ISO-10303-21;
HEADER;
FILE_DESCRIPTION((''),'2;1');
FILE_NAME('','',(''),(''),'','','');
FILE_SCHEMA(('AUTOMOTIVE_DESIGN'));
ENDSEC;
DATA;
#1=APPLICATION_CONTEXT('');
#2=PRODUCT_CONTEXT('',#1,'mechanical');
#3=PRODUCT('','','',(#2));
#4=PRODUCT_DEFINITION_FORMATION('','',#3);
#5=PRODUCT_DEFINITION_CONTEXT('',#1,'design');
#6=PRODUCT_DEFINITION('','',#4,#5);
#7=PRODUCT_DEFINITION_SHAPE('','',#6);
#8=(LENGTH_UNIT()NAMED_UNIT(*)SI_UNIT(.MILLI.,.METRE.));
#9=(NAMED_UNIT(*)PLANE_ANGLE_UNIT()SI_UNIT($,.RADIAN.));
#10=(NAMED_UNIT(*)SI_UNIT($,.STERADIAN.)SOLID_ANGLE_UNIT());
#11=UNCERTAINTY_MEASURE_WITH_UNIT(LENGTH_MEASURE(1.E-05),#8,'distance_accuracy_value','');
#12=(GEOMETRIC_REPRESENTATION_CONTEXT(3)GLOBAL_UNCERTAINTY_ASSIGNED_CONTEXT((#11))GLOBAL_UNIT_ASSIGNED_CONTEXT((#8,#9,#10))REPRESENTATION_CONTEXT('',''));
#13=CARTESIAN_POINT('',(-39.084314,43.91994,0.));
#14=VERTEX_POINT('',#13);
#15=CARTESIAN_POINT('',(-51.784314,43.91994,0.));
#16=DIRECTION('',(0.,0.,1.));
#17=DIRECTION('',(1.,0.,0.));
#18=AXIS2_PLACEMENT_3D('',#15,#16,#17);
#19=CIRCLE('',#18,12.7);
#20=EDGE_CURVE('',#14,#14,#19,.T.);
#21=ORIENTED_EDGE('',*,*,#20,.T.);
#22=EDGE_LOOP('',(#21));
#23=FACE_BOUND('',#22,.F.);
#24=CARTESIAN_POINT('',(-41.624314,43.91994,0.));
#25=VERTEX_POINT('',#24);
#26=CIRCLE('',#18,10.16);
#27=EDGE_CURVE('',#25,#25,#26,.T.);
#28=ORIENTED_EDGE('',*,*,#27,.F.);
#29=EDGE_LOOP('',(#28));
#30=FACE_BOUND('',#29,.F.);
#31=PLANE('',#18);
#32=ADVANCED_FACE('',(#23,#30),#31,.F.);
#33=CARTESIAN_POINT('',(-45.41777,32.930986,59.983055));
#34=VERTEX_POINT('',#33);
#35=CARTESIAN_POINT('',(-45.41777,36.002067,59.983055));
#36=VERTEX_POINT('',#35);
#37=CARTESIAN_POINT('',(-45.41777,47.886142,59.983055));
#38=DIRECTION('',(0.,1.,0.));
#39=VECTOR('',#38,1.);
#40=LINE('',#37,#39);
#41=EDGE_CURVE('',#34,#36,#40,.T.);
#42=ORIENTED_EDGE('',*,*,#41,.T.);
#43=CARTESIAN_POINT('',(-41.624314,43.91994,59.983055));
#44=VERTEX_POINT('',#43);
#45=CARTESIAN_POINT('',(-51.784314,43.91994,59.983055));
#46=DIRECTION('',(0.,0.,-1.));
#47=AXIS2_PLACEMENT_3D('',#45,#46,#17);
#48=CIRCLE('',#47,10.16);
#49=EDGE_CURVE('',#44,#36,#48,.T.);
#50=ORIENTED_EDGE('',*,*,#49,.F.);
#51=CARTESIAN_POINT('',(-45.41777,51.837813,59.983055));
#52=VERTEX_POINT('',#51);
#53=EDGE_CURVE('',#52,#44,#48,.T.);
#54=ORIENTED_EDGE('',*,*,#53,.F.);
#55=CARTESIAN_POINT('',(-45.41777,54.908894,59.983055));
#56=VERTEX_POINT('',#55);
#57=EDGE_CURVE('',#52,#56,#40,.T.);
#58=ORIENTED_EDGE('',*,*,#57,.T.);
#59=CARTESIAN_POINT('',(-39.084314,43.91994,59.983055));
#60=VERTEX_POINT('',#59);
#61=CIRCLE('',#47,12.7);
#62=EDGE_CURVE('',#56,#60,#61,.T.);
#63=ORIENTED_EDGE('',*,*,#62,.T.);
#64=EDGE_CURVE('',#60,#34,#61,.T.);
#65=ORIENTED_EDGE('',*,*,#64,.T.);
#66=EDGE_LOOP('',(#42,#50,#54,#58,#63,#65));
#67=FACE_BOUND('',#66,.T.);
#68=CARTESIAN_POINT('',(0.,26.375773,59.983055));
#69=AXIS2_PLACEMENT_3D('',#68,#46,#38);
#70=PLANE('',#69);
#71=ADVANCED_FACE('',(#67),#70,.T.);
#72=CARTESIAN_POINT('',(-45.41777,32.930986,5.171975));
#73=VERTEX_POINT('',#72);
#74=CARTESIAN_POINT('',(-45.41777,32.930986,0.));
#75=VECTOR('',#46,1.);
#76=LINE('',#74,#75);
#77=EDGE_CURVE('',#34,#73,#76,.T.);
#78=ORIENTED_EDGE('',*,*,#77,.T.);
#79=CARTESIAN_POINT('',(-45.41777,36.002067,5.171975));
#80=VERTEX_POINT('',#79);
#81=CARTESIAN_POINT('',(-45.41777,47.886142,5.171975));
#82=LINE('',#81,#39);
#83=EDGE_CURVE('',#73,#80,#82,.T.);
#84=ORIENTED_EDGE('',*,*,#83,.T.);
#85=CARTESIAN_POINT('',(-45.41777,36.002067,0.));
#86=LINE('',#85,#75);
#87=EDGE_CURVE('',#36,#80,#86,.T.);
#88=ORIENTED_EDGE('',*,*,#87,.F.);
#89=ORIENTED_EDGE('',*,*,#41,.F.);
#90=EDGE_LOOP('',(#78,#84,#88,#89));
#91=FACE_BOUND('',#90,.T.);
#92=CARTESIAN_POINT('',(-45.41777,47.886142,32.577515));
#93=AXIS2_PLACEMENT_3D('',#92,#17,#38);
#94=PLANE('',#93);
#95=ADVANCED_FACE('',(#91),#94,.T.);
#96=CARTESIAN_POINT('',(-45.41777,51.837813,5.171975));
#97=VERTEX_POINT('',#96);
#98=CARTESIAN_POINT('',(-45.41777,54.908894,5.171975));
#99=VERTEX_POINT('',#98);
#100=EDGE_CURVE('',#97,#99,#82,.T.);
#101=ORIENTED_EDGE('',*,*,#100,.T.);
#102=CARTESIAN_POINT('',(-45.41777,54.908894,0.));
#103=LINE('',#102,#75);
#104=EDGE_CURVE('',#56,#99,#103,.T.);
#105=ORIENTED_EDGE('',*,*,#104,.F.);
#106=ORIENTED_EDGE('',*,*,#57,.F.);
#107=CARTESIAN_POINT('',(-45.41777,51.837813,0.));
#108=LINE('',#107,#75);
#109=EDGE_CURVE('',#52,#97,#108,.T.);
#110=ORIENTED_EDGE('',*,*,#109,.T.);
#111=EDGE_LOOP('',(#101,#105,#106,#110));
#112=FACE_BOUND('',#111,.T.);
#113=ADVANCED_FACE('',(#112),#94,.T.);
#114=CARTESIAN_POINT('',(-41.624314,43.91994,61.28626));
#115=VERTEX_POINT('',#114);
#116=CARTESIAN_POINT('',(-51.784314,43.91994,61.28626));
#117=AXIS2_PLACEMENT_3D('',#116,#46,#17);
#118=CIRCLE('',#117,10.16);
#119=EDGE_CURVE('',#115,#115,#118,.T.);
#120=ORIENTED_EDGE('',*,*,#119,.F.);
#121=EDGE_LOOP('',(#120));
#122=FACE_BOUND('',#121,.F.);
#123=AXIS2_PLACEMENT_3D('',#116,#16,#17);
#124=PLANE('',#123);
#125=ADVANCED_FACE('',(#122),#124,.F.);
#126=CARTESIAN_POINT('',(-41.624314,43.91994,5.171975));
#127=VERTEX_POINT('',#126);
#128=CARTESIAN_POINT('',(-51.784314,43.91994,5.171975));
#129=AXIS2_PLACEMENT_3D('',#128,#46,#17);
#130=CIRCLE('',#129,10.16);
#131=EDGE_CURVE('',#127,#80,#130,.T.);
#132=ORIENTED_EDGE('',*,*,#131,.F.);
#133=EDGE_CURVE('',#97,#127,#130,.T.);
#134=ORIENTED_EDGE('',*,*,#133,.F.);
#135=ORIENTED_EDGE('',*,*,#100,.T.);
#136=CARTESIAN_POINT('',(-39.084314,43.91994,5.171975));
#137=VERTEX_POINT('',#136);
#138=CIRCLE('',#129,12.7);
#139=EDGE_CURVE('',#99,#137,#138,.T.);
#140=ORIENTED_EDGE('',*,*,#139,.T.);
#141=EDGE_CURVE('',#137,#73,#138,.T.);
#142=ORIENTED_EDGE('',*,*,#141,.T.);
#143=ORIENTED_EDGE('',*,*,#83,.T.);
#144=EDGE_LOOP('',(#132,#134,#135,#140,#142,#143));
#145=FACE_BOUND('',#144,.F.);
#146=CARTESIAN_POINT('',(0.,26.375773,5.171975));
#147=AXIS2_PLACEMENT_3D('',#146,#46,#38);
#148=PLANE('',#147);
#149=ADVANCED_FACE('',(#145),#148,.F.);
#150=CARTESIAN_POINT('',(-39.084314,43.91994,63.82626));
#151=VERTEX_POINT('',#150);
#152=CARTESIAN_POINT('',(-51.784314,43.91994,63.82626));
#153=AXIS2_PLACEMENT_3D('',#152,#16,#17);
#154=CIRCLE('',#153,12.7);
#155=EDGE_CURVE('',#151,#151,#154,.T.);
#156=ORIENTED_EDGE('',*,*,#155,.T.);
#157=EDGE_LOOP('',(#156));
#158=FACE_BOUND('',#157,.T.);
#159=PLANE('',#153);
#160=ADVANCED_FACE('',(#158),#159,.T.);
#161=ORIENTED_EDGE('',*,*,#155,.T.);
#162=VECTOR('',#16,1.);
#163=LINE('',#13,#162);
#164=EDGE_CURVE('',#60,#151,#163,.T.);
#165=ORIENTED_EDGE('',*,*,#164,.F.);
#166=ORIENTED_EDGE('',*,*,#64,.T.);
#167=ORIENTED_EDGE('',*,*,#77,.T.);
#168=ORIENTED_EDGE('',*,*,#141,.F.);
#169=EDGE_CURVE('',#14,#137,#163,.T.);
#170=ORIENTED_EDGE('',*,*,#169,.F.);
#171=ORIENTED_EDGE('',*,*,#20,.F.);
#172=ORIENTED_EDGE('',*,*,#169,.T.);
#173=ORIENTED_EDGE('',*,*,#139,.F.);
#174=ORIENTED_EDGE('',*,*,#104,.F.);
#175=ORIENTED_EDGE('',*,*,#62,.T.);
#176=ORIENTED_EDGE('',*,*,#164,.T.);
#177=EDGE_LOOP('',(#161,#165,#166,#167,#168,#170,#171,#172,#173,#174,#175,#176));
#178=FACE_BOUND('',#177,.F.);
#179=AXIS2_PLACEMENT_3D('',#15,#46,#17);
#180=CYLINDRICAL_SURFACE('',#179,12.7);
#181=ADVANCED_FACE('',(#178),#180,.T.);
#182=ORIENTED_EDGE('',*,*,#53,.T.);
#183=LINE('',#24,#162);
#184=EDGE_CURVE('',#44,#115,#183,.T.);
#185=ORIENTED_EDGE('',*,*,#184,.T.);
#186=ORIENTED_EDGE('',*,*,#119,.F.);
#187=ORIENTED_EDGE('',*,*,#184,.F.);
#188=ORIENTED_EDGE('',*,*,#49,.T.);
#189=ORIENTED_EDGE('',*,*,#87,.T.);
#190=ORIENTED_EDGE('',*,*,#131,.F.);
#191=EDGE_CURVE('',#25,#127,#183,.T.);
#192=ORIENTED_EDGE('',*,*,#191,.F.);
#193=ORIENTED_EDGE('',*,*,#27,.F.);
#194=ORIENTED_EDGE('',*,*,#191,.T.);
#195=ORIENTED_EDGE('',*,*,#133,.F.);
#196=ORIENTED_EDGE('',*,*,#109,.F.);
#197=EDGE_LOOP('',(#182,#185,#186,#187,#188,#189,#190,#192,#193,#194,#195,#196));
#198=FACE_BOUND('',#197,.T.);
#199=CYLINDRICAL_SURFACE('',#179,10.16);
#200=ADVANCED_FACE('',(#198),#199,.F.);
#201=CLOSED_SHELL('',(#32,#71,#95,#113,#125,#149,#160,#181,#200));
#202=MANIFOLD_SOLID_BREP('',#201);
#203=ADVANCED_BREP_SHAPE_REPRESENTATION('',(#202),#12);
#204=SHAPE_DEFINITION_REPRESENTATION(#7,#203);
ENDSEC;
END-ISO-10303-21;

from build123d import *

# Parameters (mm, degrees)
F0_R     = 12.7
F1_DEPTH = 63.82626
F3_T     = -2.54
F4_W     = 43.020739
F4_H     = 54.811081
F5_DEPTH = 45.41777
F2_W     = 40.954981
F2_H     = 44.655449
F6_DEPTH = 29.8618


with BuildPart() as f1:
    # F0 (on Top) → F1 (new body)
    with BuildSketch(Plane.XY):
        with Locations((-51.784314, 43.91994)):
            Circle(F0_R)
    extrude(amount=F1_DEPTH)

    # F3
    f3_openings = [f1.faces().sort_by_distance(p)[0] for p in [
        (-51.784314, 43.91994, 0),
    ]]
    offset(amount=F3_T, openings=f3_openings)

    # F4 (on Right) → F5 (cut)
    with BuildSketch(Plane.YZ):
        with Locations((47.886142, 32.577515)):
            Rectangle(F4_W, F4_H)
    extrude(amount=-F5_DEPTH, mode=Mode.SUBTRACT)

    # F2 (on Front) → F6 (cut)
    with BuildSketch(Plane.XZ):
        with Locations((-53.447423, 32.679513)):
            Rectangle(F2_W, F2_H)
    extrude(amount=-F6_DEPTH, mode=Mode.SUBTRACT)


solid = f1.part
